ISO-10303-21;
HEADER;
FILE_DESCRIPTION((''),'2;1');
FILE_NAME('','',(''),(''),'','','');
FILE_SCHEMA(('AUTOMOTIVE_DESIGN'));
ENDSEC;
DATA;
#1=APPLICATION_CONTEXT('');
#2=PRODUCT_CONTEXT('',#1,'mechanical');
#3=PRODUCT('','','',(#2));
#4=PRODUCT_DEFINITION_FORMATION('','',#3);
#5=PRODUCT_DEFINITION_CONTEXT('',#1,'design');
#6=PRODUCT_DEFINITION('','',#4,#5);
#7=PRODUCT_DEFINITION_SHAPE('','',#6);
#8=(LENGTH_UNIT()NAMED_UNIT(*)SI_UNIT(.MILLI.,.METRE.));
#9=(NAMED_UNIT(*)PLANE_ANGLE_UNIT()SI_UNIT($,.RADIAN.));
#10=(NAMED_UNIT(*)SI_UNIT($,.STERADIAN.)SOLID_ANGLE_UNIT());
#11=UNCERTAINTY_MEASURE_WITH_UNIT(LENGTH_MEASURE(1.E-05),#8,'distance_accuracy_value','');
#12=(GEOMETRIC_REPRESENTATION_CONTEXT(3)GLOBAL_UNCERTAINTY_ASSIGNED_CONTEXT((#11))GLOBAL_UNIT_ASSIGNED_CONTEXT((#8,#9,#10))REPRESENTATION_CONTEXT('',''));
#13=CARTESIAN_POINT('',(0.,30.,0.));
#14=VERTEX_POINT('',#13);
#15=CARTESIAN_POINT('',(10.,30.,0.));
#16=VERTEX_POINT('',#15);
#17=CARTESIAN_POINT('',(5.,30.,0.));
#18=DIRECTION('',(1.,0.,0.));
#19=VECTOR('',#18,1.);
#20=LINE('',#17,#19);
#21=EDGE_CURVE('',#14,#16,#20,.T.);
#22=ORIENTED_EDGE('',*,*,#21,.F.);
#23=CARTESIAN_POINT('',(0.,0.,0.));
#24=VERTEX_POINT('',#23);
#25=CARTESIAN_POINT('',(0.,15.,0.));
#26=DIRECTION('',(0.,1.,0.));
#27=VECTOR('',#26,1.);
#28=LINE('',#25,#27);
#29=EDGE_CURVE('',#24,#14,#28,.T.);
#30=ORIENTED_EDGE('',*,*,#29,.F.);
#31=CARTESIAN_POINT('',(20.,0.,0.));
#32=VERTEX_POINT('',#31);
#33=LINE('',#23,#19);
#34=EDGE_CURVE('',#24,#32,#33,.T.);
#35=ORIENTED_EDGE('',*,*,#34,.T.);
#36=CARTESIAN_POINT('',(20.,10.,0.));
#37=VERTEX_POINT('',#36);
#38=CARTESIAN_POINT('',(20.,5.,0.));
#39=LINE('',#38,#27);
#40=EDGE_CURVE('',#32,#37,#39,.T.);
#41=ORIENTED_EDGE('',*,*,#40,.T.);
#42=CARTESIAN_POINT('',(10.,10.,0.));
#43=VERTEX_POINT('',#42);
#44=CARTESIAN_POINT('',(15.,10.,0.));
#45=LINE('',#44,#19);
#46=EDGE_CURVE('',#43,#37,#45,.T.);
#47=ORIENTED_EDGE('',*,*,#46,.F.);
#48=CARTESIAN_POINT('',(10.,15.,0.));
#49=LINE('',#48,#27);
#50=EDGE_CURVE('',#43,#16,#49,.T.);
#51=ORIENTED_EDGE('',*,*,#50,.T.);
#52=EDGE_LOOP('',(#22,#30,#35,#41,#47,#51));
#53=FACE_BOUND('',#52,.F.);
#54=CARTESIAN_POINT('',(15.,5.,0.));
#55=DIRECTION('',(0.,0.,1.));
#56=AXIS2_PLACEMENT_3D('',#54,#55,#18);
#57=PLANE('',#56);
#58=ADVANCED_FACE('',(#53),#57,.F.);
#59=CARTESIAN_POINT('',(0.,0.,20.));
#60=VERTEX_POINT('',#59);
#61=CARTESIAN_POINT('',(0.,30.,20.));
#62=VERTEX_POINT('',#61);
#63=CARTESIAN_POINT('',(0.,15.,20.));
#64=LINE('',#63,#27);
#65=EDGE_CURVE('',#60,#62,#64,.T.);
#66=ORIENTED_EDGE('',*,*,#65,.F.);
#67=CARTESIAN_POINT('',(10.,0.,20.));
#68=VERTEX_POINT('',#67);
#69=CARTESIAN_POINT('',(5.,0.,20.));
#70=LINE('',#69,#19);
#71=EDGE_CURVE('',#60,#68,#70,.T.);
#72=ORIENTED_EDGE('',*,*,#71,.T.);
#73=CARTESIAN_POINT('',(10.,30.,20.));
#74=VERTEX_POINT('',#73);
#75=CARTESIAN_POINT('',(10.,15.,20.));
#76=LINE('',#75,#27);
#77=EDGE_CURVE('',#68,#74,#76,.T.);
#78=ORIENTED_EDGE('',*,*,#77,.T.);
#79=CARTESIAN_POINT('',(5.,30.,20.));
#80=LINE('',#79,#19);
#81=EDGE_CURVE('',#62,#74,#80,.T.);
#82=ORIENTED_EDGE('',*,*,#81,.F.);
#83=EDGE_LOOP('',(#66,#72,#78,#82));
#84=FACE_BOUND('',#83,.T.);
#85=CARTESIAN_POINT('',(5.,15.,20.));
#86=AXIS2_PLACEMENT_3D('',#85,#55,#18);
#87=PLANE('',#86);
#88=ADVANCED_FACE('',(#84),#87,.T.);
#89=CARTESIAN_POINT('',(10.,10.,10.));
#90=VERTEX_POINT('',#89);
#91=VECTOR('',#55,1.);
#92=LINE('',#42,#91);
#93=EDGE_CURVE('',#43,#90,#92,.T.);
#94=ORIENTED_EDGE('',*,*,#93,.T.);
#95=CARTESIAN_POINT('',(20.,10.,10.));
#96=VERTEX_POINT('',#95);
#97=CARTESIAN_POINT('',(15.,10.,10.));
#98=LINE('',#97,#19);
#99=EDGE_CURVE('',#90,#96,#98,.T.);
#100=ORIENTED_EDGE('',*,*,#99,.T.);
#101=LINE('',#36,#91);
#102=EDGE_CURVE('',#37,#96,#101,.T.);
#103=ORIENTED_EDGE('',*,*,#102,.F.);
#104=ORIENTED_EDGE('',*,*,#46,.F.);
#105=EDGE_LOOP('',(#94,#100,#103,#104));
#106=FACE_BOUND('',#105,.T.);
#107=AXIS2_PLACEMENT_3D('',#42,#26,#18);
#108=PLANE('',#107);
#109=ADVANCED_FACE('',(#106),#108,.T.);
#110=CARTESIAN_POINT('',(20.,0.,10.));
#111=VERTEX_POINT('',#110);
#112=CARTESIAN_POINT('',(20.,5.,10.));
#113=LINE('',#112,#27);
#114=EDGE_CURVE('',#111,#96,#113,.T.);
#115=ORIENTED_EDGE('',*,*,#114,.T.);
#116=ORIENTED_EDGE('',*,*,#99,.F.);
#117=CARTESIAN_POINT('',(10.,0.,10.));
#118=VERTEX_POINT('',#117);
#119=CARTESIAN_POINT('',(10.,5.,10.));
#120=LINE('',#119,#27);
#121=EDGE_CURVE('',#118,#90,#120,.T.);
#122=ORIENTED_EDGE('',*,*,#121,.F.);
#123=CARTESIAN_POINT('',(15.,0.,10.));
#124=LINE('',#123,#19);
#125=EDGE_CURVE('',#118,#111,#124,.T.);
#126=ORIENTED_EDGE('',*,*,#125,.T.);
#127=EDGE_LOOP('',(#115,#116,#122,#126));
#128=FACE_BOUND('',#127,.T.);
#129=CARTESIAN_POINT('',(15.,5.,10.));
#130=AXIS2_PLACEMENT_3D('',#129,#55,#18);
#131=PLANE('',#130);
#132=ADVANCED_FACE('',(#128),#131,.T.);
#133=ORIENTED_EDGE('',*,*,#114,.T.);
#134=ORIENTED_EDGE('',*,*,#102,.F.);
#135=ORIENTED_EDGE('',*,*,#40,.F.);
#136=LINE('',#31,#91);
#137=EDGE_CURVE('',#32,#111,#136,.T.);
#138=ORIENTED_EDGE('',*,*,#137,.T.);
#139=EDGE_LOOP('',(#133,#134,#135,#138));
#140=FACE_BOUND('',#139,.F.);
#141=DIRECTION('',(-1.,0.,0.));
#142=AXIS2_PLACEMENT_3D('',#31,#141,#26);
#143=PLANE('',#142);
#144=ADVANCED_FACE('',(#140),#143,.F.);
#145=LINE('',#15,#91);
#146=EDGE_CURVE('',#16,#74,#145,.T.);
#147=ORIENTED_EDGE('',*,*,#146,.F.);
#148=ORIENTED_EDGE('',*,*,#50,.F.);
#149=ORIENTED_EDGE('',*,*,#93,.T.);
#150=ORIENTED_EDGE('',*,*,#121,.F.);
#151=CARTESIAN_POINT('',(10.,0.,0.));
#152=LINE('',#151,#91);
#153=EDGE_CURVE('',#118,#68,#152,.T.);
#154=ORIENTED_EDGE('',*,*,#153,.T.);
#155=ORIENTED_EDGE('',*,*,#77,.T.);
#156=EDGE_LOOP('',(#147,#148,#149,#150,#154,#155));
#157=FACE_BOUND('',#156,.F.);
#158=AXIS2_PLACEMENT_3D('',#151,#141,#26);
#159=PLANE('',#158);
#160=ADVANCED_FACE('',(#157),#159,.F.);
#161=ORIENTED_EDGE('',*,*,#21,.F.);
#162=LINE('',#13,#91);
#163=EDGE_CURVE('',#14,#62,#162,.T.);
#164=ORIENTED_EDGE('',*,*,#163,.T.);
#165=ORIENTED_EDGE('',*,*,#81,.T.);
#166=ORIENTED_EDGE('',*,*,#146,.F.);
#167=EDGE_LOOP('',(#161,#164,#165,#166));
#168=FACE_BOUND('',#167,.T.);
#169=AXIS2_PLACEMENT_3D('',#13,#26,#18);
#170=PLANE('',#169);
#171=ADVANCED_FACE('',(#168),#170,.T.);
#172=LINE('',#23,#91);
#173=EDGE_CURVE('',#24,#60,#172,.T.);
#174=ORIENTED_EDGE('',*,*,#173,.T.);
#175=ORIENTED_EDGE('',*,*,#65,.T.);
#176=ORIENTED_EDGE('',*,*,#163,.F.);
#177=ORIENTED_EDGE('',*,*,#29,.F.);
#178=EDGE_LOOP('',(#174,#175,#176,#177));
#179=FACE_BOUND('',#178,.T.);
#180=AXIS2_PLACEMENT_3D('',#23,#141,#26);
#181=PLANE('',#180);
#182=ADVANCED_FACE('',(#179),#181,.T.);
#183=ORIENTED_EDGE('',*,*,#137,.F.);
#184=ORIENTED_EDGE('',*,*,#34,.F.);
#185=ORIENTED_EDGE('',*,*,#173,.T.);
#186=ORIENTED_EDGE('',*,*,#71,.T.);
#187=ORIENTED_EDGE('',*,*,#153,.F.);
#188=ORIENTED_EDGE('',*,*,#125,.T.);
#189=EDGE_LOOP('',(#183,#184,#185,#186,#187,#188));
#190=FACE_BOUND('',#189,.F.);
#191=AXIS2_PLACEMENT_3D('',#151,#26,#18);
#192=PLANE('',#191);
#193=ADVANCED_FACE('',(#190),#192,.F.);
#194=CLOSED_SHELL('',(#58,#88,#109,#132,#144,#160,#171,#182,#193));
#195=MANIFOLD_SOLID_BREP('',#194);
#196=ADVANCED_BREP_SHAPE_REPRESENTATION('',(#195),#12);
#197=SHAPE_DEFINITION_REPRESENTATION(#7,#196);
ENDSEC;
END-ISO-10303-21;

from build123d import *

# Parameters (mm, degrees)
BOX001_W     = 10
BOX001_H     = 10
BOX001_DEPTH = 10
BOX_W        = 10
BOX_H        = 30
BOX_DEPTH    = 20


with BuildPart() as cub001:
    # Box001 → Box001 (new body)
    with BuildSketch(Plane(origin=(10, 0, 0), x_dir=(1, 0, 0), z_dir=(0, 0, 1))):
        with Locations((5, 5)):
            Rectangle(BOX001_W, BOX001_H)
    extrude(amount=BOX001_DEPTH)


with BuildPart() as fusion:
    # Box → Box (new body)
    with BuildSketch(Plane.XY):
        with Locations((5, 15)):
            Rectangle(BOX_W, BOX_H)
    extrude(amount=BOX_DEPTH)

    # Fusion: union Cub001
    add(cub001.part)


solid = fusion.part
